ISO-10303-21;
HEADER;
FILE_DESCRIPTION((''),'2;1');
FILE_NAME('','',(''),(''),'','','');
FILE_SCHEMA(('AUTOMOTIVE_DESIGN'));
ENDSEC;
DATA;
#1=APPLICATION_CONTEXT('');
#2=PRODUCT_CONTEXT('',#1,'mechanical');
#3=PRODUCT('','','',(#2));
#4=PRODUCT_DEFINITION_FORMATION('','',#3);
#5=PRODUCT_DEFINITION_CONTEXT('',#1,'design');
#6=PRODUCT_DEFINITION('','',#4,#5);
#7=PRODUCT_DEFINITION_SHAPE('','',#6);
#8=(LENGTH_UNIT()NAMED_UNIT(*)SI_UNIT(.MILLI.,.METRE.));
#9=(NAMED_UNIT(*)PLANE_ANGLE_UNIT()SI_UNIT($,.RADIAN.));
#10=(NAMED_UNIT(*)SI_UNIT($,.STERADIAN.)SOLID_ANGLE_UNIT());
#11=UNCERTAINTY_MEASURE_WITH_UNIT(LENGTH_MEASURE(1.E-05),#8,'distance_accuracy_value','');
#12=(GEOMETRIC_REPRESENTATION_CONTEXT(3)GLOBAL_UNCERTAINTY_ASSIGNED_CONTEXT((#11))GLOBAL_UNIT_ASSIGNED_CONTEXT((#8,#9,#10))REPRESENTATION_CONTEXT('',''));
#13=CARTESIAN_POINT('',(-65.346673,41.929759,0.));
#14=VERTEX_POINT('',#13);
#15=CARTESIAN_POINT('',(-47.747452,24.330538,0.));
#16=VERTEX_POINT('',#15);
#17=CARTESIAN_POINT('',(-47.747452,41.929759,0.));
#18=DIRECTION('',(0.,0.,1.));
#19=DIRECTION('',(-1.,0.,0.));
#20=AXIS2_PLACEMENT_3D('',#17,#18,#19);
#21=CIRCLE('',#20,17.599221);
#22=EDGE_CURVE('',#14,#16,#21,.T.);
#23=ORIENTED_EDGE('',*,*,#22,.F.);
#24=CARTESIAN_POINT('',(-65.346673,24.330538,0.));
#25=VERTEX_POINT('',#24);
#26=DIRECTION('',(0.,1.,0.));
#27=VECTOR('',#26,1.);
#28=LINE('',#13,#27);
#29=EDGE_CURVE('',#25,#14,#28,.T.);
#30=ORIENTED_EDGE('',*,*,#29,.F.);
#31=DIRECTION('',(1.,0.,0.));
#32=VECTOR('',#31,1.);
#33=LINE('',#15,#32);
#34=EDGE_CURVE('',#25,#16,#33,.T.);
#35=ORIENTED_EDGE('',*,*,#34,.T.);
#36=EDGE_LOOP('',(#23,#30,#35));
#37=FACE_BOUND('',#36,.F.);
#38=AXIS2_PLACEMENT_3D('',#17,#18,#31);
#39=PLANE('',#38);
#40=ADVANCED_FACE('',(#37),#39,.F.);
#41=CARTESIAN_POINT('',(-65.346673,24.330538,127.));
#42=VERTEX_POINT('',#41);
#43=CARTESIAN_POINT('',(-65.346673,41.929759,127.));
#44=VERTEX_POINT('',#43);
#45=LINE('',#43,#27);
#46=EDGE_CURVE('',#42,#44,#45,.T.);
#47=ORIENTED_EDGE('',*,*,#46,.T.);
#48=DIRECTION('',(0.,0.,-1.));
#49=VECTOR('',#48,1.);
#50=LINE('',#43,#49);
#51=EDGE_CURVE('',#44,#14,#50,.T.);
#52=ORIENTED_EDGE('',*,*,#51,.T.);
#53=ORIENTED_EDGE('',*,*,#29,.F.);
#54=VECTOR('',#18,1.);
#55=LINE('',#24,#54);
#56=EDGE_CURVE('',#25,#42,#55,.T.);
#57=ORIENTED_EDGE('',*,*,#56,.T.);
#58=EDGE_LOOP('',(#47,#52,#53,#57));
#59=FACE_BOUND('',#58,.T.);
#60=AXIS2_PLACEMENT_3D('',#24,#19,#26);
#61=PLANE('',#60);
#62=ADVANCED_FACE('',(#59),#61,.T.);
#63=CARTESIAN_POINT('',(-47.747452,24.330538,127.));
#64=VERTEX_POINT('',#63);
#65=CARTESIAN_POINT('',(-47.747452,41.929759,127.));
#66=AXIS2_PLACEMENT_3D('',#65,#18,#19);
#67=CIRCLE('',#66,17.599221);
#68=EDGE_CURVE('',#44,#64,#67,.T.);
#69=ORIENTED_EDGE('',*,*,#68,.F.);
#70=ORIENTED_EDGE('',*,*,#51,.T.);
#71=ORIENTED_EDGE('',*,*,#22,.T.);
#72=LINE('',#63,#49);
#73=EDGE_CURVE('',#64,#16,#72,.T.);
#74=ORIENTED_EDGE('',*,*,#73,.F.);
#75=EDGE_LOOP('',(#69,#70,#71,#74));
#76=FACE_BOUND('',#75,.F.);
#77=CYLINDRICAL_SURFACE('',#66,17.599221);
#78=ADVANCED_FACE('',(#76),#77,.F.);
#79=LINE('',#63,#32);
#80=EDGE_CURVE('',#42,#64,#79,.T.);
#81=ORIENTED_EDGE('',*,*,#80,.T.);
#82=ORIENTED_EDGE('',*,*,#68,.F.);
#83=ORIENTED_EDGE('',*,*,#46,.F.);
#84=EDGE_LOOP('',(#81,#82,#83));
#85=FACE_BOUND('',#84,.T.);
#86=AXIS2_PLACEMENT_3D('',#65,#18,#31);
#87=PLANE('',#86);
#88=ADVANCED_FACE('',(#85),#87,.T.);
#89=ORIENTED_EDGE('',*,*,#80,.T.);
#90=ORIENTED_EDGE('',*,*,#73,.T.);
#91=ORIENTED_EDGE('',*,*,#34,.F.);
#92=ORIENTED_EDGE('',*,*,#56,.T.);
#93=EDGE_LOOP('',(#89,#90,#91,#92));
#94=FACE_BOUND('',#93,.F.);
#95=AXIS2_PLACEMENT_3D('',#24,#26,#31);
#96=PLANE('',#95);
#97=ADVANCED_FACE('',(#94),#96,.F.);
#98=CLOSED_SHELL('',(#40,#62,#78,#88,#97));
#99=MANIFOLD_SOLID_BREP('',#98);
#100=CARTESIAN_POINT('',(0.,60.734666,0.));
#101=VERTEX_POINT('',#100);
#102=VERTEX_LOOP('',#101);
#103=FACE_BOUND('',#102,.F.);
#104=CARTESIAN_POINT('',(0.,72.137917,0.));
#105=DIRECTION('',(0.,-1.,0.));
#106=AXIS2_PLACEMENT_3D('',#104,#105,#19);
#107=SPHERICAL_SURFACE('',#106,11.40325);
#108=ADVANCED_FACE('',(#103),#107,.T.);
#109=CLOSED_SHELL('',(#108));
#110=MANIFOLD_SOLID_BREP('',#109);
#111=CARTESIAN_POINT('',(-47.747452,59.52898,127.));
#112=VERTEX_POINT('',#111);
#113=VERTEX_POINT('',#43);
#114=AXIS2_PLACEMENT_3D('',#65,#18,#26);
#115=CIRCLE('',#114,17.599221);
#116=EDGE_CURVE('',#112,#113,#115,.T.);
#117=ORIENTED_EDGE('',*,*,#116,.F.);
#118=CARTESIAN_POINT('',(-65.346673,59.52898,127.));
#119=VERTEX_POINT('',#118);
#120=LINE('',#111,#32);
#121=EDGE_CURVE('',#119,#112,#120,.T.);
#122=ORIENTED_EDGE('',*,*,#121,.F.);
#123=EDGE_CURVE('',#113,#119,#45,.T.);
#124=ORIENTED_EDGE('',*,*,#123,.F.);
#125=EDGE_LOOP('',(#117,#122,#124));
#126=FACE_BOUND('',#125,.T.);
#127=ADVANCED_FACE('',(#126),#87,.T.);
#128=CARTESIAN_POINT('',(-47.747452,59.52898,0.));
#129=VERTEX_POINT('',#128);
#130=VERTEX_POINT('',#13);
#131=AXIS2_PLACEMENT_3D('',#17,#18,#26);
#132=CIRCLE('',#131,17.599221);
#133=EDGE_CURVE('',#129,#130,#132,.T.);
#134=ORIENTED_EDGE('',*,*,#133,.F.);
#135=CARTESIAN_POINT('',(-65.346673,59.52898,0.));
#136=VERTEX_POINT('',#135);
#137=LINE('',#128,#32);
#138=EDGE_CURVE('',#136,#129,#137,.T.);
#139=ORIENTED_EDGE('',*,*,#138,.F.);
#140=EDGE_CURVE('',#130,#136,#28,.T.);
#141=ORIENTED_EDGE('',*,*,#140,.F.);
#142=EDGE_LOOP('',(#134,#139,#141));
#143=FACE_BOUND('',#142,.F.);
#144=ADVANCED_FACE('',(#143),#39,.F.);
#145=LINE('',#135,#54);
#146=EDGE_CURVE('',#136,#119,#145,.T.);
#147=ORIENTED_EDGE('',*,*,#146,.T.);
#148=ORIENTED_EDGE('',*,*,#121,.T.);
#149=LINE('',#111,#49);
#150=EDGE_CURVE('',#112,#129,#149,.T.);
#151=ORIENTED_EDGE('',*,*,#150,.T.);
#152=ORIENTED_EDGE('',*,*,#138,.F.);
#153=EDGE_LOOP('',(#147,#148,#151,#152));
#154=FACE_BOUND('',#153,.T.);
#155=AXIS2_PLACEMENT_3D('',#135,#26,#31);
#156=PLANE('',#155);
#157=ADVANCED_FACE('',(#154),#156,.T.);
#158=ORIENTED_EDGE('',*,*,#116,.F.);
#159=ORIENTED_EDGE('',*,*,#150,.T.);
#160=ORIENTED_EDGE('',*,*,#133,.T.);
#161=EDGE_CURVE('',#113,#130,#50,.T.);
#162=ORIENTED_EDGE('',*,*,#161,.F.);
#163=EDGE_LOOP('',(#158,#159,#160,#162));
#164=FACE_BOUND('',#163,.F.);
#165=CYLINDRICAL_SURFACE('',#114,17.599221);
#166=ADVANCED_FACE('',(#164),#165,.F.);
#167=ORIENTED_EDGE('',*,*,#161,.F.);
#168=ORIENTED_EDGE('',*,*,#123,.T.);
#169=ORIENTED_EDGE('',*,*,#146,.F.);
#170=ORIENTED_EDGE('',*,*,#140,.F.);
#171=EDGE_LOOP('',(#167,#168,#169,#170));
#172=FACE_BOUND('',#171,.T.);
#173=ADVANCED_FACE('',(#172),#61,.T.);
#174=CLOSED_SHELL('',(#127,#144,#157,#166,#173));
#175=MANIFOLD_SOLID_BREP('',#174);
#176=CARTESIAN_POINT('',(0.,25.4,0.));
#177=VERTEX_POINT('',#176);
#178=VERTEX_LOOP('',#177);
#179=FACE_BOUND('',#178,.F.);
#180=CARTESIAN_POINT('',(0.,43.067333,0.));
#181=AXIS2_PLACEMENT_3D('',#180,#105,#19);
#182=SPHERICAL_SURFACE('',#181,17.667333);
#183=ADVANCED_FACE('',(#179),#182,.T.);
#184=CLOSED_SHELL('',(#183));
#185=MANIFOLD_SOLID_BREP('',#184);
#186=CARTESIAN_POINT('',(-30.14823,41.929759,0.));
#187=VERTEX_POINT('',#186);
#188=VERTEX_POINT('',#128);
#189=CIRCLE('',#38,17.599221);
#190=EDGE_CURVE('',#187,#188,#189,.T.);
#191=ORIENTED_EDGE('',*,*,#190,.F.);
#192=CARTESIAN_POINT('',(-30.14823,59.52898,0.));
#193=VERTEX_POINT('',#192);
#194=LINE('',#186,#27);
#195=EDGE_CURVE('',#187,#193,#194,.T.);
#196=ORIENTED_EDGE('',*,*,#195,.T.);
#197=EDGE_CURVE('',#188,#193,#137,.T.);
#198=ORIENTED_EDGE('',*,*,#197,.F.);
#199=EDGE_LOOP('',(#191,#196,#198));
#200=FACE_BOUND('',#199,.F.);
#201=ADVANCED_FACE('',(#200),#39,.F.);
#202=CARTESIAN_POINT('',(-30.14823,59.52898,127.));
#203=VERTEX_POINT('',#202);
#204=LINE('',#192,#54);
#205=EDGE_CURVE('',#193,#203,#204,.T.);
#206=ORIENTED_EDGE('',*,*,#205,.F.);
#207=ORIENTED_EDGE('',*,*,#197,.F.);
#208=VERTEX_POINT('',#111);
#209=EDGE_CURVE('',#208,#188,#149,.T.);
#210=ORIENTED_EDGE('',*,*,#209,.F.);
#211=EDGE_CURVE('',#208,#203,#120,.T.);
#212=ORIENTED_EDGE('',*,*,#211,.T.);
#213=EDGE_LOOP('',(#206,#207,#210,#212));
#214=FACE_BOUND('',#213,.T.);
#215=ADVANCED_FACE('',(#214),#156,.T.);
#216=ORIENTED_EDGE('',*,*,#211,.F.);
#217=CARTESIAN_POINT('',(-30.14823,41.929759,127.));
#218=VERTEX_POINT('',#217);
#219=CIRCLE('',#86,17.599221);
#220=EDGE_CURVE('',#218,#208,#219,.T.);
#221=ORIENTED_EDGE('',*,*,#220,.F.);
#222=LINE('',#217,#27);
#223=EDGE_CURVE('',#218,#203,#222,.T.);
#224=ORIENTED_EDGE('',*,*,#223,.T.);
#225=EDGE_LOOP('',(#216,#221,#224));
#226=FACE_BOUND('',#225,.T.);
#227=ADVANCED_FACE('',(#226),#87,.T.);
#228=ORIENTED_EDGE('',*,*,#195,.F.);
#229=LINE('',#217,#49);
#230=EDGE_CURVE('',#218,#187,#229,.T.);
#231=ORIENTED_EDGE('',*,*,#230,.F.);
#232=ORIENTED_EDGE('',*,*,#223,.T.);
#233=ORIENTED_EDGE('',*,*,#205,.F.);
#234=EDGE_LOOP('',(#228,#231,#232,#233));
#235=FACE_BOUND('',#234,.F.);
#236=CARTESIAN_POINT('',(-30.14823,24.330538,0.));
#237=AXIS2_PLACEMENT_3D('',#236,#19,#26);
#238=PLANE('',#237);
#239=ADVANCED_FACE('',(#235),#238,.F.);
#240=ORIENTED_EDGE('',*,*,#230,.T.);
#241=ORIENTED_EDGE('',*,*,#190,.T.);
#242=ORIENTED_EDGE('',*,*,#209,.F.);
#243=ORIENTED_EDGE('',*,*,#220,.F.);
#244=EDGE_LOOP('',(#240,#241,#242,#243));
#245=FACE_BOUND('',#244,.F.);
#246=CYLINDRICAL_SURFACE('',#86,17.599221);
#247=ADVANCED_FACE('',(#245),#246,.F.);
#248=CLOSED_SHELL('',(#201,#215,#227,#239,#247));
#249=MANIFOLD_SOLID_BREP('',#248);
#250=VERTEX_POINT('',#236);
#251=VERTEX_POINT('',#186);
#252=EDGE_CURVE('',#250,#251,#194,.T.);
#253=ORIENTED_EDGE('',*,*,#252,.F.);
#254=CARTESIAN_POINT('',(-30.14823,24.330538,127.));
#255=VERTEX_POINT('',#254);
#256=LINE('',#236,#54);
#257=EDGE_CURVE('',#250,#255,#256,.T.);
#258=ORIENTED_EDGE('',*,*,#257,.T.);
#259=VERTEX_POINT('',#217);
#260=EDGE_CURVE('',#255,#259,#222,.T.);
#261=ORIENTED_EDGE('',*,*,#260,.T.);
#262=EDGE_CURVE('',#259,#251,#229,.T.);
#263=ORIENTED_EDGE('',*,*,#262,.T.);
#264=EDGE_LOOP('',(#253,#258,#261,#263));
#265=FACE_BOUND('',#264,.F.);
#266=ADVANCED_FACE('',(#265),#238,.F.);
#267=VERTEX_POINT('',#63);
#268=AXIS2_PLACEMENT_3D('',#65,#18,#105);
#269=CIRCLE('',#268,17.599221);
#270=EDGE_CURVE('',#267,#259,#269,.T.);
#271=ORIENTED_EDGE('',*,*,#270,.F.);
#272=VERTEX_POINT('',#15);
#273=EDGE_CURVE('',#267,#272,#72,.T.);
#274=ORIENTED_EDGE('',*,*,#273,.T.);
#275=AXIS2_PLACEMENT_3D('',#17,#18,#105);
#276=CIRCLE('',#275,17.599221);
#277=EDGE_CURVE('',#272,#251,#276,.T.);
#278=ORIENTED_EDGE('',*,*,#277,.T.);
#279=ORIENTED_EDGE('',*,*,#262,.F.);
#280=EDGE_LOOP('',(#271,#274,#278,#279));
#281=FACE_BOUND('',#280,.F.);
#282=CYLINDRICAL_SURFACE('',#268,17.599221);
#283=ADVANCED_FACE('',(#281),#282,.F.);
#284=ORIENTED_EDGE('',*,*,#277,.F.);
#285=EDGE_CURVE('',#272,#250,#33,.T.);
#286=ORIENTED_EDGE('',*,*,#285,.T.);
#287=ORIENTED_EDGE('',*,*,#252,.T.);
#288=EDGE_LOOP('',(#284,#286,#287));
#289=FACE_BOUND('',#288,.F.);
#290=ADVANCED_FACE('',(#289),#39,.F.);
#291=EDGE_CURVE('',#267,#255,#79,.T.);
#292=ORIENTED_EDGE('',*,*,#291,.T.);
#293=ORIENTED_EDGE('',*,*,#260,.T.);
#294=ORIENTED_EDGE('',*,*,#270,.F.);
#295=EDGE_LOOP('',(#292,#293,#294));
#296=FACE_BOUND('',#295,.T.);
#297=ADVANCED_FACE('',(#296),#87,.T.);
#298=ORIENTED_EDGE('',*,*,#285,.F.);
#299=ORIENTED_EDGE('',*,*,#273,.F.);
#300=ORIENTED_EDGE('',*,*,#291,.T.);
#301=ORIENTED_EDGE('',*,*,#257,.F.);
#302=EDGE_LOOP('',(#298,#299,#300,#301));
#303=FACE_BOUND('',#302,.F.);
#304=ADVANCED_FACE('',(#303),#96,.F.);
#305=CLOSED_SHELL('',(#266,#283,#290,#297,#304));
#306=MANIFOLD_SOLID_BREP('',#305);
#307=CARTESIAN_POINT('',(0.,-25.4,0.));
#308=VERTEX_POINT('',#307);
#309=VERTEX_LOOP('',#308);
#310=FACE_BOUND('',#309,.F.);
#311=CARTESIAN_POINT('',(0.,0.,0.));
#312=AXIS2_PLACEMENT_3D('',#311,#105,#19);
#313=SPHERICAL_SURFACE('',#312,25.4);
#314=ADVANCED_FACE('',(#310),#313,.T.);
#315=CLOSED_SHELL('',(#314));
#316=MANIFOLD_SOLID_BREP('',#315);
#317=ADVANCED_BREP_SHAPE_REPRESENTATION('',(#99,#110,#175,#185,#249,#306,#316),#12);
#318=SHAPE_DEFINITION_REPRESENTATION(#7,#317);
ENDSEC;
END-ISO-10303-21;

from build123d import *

# Parameters (mm, degrees)
F2_W     = 35.1984426379
F2_H     = 35.1984426379
F3_DEPTH = 127
F5_DEPTH = 152.401


with BuildPart() as f1:
    # F0 (on Top) → F1 (revolve)
    with BuildSketch(Plane.XY):
        with BuildLine():
            Line((0, 60.7346662214), (0, 83.5411669659))
            ThreePointArc((0, 83.5411669659), (-11.4032503723, 72.1379165937), (0, 60.7346662214))
        make_face()
    revolve(axis=Axis((0, 25.5273673683, 0), (0, 1, 0)))


with BuildPart() as f1b:
    # F0 (on Top) → F1, piece 2 (revolve)
    with BuildSketch(Plane.XY):
        with BuildLine():
            Line((0, 25.4), (0, 60.7346662214))
            ThreePointArc((0, 60.7346662214), (-17.6673331107, 43.0673331107), (0, 25.4))
        make_face()
    revolve(axis=Axis((0, 25.5273673683, 0), (0, 1, 0)))


with BuildPart() as f1c:
    # F0 (on Top) → F1, piece 3 (revolve)
    with BuildSketch(Plane.XY):
        with BuildLine():
            Line((0, -25.4), (0, 25.4))
            ThreePointArc((0, 25.4), (-25.4, 0), (0, -25.4))
        make_face()
    revolve(axis=Axis((0, 25.5273673683, 0), (0, 1, 0)))


with BuildPart() as f3:
    # F2 (on Top) → F3 (new body)
    with BuildSketch(Plane.XY):
        with Locations((-47.747451812, 41.9297590852)):
            Rectangle(F2_W, F2_H)
    extrude(amount=F3_DEPTH)

    # F4 (on face) → F5 (cut, through all)
    with BuildSketch(Plane.XY.offset(127)):
        with BuildLine():
            ThreePointArc((-47.747451812, 24.3305377662), (-35.3029230738, 29.4852303469), (-30.1482304931, 41.9297590852))
            ThreePointArc((-30.1482304931, 41.9297590852), (-35.3029230738, 54.3742878234), (-47.747451812, 59.5289804041))
            ThreePointArc((-47.747451812, 59.5289804041), (-60.1919805503, 54.3742878234), (-65.346673131, 41.9297590852))
            ThreePointArc((-65.346673131, 41.9297590852), (-60.1919805503, 29.4852303469), (-47.747451812, 24.3305377662))
        make_face()
    extrude(amount=-F5_DEPTH, mode=Mode.SUBTRACT)


solid = Compound([f1.part, f1b.part, f1c.part, f3.part])
